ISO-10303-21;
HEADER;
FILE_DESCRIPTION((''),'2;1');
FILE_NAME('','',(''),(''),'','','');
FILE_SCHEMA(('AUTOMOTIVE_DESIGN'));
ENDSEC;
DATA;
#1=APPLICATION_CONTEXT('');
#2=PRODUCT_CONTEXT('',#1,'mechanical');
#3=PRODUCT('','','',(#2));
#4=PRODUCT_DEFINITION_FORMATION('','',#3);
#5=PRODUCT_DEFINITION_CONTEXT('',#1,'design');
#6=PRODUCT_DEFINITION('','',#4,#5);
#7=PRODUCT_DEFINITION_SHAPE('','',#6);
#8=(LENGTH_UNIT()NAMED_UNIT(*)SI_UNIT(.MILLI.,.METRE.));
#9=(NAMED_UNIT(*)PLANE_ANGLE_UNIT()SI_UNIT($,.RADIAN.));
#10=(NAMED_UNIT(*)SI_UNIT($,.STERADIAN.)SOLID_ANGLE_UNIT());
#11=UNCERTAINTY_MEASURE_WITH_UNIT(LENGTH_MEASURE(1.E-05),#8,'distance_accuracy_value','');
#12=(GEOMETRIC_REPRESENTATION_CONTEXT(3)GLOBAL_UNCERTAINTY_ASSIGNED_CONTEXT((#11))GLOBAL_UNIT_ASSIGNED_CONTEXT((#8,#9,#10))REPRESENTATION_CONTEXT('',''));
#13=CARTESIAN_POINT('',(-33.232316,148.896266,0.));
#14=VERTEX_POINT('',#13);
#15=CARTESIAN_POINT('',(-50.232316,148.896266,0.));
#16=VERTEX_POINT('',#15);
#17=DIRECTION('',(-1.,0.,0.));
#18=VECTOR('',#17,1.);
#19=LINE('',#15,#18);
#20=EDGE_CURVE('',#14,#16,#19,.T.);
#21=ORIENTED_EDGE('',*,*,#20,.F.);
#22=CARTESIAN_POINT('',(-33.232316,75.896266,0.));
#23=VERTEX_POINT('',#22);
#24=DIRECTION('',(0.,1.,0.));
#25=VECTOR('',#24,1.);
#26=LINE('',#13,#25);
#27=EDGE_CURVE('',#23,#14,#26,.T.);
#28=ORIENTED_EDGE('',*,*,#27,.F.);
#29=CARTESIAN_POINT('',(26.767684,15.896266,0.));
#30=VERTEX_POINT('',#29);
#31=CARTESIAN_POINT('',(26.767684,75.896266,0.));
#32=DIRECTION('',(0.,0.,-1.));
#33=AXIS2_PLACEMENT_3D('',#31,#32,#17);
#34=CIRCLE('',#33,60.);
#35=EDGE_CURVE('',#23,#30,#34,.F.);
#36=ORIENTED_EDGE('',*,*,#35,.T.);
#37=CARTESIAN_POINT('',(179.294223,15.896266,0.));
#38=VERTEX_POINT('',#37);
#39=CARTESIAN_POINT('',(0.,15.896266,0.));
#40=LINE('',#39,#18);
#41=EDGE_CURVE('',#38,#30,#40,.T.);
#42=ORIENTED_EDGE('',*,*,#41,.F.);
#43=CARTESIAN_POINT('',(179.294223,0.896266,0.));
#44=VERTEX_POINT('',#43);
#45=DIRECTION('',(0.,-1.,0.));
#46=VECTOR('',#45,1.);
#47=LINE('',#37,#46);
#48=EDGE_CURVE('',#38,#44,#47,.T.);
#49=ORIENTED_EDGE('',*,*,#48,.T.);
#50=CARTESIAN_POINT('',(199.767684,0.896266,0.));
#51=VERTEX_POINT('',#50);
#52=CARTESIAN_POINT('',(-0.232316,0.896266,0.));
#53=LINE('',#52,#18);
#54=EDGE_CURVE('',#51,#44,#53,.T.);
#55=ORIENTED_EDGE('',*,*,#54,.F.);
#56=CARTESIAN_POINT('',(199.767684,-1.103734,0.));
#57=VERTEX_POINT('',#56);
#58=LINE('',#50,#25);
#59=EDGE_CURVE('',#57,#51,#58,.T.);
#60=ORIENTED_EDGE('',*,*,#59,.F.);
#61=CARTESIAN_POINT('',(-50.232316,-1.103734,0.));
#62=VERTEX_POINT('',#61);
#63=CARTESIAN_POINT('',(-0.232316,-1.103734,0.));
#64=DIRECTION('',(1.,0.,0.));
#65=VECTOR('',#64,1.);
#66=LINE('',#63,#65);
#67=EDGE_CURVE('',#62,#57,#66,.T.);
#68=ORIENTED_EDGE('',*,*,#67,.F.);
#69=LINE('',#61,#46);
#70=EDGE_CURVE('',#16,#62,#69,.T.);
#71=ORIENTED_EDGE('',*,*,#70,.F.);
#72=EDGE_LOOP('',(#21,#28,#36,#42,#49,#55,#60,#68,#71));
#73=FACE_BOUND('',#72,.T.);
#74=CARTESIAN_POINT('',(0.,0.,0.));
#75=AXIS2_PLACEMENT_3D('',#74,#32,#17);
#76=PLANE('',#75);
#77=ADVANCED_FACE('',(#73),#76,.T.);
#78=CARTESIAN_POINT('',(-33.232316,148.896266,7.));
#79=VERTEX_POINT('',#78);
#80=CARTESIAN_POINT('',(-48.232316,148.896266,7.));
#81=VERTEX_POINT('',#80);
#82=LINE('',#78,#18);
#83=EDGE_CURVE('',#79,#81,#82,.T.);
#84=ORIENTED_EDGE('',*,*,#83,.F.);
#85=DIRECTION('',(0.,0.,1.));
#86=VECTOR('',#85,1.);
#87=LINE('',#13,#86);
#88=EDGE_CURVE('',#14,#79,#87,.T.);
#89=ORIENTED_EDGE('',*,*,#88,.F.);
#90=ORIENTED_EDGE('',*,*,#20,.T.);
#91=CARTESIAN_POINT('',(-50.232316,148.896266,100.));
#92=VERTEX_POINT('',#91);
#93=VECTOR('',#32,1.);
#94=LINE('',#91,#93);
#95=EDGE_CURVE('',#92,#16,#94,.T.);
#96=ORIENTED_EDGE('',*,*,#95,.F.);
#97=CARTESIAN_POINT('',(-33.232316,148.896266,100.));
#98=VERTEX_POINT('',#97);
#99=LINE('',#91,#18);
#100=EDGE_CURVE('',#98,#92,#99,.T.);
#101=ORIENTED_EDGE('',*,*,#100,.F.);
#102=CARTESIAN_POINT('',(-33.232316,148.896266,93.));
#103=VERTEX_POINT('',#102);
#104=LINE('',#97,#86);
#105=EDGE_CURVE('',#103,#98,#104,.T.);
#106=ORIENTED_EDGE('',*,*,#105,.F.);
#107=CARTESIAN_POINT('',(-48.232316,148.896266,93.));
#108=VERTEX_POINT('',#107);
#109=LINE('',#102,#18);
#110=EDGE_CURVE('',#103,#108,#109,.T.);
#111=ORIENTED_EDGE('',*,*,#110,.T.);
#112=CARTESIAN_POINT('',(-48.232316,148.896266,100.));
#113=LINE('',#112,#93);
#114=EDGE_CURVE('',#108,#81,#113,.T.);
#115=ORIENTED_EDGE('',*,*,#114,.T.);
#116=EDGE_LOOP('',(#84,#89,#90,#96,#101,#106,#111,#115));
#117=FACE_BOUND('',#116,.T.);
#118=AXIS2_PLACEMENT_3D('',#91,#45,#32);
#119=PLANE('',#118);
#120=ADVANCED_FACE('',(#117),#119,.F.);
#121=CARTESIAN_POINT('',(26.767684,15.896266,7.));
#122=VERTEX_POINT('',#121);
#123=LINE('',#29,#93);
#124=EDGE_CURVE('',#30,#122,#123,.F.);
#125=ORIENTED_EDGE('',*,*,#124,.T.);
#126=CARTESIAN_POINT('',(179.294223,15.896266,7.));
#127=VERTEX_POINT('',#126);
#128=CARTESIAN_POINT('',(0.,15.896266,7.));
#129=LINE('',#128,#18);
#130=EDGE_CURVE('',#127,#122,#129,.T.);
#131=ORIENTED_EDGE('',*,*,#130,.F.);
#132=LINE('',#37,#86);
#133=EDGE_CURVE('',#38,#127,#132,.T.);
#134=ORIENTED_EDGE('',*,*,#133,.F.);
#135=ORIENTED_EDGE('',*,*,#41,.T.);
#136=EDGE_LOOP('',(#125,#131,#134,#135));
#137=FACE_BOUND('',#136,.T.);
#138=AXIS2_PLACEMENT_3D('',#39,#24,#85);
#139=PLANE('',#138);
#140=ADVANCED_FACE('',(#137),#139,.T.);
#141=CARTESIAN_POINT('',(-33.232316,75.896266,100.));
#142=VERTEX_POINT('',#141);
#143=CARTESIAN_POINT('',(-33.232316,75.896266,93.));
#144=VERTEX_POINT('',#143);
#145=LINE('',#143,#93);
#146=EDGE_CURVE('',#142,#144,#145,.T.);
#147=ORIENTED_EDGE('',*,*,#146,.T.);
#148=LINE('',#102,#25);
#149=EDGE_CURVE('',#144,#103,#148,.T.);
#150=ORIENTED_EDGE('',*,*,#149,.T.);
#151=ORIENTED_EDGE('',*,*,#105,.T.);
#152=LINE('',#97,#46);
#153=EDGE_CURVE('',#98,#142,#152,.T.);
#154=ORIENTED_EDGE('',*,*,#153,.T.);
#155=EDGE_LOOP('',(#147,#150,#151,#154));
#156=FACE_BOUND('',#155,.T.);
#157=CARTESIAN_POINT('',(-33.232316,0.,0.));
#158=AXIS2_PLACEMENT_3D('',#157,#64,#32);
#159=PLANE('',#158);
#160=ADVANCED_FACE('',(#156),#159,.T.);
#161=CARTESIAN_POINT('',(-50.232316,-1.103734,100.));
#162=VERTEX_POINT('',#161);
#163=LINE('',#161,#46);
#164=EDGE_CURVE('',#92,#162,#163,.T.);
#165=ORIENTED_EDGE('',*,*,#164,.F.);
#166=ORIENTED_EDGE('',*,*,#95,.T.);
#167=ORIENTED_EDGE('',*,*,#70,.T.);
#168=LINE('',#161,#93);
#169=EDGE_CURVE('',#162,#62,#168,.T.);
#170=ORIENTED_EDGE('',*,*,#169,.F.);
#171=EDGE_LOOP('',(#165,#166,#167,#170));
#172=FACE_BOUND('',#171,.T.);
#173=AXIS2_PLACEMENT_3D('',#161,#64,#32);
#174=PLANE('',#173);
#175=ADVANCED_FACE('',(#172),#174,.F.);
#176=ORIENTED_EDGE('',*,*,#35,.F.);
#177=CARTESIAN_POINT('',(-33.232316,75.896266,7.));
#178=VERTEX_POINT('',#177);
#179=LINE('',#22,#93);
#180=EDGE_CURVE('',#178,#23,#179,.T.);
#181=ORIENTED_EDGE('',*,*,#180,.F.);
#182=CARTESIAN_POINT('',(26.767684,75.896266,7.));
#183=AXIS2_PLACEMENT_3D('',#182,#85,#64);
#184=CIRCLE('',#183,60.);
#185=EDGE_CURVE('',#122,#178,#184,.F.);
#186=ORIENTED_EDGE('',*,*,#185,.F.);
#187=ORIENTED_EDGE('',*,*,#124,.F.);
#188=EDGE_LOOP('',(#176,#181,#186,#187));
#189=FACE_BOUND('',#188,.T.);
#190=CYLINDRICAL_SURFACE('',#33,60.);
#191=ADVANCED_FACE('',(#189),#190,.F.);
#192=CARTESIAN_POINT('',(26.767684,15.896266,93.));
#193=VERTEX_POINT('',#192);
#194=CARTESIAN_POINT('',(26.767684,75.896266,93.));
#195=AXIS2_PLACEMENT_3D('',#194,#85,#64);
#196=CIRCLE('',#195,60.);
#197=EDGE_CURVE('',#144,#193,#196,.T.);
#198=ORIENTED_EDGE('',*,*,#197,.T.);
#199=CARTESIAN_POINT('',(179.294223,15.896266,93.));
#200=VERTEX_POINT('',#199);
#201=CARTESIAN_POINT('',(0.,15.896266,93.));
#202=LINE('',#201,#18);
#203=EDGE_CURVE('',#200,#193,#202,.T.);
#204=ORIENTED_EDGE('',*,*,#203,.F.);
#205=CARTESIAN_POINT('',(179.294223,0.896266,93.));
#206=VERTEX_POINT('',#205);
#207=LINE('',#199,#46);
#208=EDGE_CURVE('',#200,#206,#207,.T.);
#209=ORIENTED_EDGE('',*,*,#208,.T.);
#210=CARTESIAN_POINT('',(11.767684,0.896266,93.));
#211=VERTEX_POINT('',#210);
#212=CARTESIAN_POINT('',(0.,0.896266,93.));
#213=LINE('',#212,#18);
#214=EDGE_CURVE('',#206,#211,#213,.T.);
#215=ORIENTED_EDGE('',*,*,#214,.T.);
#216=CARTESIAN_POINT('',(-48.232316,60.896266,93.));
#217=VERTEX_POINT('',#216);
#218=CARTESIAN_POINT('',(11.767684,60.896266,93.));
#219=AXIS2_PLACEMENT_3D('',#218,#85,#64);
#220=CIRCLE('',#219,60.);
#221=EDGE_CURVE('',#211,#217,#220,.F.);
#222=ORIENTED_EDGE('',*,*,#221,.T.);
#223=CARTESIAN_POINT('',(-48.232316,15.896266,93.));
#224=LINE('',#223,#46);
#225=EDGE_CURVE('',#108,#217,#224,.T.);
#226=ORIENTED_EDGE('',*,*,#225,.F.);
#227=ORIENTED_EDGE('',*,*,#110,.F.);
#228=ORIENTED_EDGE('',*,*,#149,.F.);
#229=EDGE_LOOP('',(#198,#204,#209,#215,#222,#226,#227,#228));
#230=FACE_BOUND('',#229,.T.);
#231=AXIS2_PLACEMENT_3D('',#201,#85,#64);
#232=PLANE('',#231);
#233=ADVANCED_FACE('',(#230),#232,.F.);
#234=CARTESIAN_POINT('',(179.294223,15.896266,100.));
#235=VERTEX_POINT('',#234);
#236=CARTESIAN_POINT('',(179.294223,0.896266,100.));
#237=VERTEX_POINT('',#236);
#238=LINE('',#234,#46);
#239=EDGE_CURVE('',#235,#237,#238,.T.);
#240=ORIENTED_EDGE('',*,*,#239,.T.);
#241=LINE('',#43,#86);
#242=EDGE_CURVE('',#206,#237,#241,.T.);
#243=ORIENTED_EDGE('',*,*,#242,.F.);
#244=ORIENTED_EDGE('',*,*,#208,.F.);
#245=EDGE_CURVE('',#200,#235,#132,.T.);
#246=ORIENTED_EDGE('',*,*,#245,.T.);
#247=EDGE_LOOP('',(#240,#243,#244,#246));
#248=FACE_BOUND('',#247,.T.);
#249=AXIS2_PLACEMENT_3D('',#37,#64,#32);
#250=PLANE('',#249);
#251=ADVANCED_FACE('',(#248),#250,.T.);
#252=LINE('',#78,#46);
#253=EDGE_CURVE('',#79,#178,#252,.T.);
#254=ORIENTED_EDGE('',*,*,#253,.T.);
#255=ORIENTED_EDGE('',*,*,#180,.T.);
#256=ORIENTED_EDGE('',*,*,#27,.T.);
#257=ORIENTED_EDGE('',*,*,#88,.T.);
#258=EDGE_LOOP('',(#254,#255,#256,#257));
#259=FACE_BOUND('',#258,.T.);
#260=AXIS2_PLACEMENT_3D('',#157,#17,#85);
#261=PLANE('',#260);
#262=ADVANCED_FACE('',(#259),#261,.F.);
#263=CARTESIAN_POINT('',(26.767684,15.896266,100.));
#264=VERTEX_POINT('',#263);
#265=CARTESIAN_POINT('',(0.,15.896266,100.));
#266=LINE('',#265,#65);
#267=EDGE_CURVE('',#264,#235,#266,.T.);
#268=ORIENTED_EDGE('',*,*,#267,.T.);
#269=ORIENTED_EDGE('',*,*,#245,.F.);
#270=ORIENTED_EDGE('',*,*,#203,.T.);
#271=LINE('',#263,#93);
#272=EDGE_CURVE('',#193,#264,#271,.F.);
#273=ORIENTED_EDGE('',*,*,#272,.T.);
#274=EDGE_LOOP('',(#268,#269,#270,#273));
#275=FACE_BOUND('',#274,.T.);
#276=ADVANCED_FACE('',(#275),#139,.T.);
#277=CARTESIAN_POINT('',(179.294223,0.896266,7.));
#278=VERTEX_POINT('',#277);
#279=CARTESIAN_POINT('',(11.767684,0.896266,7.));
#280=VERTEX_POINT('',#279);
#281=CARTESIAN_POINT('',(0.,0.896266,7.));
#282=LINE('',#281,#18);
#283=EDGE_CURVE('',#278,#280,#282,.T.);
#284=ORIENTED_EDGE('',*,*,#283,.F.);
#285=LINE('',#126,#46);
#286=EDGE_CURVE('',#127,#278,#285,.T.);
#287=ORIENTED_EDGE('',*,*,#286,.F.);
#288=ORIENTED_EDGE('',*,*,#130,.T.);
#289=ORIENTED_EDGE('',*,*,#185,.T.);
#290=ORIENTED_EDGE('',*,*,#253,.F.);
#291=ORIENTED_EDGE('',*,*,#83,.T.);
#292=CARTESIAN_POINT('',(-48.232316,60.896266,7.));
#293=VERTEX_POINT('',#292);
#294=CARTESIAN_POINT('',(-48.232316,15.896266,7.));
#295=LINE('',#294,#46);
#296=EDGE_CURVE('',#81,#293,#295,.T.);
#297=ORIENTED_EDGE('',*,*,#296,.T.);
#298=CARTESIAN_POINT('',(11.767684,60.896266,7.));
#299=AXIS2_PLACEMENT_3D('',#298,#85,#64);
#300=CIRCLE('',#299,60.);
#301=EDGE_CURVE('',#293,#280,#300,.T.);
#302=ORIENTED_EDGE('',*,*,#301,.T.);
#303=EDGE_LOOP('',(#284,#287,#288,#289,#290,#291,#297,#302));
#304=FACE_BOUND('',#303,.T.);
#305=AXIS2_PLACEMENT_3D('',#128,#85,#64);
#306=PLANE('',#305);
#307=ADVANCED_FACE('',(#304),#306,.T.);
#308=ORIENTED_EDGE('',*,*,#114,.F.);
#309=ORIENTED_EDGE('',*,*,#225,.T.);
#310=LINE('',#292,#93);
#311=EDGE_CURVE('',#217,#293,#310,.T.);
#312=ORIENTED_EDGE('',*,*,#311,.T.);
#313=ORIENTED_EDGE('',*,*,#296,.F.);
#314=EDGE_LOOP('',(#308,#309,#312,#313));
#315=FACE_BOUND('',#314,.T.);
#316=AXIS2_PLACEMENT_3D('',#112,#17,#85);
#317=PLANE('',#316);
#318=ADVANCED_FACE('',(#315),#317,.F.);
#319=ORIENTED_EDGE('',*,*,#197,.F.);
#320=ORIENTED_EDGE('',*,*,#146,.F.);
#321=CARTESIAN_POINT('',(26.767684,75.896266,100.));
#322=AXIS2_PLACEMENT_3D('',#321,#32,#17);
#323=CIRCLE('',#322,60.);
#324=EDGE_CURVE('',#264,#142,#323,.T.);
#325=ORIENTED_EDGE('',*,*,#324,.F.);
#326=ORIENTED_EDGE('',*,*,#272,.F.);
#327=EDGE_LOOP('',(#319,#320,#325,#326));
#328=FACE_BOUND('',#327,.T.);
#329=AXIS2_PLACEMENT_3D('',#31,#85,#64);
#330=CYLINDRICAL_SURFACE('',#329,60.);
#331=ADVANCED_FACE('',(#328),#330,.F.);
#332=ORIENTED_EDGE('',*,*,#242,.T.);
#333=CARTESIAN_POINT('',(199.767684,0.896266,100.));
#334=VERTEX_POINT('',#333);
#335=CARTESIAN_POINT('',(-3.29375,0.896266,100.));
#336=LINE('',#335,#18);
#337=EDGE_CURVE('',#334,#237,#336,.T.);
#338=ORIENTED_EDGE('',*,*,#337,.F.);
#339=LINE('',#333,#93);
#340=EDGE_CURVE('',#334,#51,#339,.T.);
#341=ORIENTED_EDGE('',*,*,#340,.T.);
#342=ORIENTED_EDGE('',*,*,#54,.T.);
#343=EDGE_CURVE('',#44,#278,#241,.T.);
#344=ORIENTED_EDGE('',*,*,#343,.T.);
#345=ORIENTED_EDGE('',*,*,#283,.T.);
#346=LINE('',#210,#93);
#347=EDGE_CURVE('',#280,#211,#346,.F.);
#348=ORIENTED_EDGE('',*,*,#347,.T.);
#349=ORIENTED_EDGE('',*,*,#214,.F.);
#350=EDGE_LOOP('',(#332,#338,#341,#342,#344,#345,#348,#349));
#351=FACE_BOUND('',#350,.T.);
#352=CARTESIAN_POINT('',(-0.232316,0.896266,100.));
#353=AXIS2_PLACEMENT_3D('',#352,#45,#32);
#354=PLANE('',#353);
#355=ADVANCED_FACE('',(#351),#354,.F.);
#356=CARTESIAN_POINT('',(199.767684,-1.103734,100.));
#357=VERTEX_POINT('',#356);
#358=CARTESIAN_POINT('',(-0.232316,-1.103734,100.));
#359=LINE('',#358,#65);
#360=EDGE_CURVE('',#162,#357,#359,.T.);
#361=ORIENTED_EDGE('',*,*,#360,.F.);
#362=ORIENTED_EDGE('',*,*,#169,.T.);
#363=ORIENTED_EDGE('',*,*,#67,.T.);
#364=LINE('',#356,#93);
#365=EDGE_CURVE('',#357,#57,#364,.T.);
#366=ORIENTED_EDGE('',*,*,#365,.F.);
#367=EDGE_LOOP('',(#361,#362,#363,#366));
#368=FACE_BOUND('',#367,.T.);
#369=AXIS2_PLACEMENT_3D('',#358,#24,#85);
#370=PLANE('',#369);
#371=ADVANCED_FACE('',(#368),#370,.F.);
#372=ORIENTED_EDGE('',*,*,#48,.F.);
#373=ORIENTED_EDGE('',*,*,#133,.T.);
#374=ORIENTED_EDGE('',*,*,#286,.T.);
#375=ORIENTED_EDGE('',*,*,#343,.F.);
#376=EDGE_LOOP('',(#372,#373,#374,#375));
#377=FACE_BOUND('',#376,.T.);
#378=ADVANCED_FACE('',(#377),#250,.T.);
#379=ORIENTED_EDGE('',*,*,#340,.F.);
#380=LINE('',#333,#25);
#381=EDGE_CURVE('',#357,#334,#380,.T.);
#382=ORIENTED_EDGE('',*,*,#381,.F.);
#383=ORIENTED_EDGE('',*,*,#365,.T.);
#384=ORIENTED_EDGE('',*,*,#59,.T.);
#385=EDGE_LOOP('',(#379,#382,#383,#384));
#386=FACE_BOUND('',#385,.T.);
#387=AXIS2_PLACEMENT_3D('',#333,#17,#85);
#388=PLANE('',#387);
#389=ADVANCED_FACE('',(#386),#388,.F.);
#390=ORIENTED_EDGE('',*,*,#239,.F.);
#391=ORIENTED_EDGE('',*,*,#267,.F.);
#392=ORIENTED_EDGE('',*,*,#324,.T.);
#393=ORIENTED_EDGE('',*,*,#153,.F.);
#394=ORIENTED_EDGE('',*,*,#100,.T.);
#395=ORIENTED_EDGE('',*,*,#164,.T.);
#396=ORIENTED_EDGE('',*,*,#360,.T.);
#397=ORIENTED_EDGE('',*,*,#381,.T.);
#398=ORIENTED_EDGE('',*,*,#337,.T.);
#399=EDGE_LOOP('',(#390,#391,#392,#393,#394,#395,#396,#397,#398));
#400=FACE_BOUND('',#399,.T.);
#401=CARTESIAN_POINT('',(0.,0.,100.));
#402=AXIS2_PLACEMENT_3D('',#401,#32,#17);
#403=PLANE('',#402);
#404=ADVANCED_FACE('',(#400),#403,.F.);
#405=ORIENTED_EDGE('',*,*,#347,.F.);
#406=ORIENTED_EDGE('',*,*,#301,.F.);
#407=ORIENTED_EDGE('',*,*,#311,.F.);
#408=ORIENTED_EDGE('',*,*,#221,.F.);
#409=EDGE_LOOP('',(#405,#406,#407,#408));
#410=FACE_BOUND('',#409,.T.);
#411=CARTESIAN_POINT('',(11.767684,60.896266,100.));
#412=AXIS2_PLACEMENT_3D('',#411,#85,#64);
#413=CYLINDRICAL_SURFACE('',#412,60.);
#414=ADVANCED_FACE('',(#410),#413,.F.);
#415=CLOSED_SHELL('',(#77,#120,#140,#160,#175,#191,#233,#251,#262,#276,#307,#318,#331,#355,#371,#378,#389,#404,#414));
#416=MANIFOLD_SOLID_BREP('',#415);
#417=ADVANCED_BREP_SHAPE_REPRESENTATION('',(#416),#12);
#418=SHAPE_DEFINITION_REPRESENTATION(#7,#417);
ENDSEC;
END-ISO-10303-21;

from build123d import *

# Parameters (mm, degrees)
BOSS_EXTRUDE1_DEPTH = 100
SKETCH5_W           = 227.526539108
SKETCH5_H           = 7
BOSS_EXTRUDE4_DEPTH = 15
SKETCH6_W           = 7
SKETCH6_H           = 133
BOSS_EXTRUDE5_DEPTH = 15
FILLET2_R           = 60


with BuildPart() as part:
    # Sketch2 → Boss-Extrude1 (new body)
    with BuildSketch(Plane.XY):
        Polygon((-0.232315645, -1.10373444), (-50.232315645, -1.10373444), (-50.232315645, 148.89626556), (-48.232315645, 148.89626556), (-48.232315645, 0.89626556), (-3.293749688, 0.89626556), (-0.232315645, 0.89626556), (199.767684355, 0.89626556), (199.767684355, -1.10373444), align=None)
    extrude(amount=BOSS_EXTRUDE1_DEPTH)

    # Sketch5 → Boss-Extrude4 (add)
    with BuildSketch(Plane(origin=(0, 0.89626556, 0), x_dir=(1, 0, 0), z_dir=(0, 1, 0))):
        with Locations((65.530953909, -3.5)):
            Rectangle(SKETCH5_W, SKETCH5_H)
        with Locations((65.530953909, -96.5)):
            Rectangle(SKETCH5_W, SKETCH5_H)
    extrude(amount=BOSS_EXTRUDE4_DEPTH)

    # Sketch6 → Boss-Extrude5 (add)
    with BuildSketch(Plane(origin=(-48.232315645, 0, 0), x_dir=(0, 0, -1), z_dir=(1, 0, 0))):
        with Locations((-96.5, 82.39626556)):
            Rectangle(SKETCH6_W, SKETCH6_H)
        with Locations((-3.5, 82.39626556)):
            Rectangle(SKETCH6_W, SKETCH6_H)
    extrude(amount=BOSS_EXTRUDE5_DEPTH)

    # Fillet2
    fillet2_edges = [part.edges().sort_by_distance(p)[0] for p in [
        (-48.232315645, 0.89626556, 50),
        (-33.232315645, 15.89626556, 96.5),
        (-33.232315645, 15.89626556, 3.5),
    ]]
    fillet(fillet2_edges, radius=FILLET2_R)


solid = part.part
